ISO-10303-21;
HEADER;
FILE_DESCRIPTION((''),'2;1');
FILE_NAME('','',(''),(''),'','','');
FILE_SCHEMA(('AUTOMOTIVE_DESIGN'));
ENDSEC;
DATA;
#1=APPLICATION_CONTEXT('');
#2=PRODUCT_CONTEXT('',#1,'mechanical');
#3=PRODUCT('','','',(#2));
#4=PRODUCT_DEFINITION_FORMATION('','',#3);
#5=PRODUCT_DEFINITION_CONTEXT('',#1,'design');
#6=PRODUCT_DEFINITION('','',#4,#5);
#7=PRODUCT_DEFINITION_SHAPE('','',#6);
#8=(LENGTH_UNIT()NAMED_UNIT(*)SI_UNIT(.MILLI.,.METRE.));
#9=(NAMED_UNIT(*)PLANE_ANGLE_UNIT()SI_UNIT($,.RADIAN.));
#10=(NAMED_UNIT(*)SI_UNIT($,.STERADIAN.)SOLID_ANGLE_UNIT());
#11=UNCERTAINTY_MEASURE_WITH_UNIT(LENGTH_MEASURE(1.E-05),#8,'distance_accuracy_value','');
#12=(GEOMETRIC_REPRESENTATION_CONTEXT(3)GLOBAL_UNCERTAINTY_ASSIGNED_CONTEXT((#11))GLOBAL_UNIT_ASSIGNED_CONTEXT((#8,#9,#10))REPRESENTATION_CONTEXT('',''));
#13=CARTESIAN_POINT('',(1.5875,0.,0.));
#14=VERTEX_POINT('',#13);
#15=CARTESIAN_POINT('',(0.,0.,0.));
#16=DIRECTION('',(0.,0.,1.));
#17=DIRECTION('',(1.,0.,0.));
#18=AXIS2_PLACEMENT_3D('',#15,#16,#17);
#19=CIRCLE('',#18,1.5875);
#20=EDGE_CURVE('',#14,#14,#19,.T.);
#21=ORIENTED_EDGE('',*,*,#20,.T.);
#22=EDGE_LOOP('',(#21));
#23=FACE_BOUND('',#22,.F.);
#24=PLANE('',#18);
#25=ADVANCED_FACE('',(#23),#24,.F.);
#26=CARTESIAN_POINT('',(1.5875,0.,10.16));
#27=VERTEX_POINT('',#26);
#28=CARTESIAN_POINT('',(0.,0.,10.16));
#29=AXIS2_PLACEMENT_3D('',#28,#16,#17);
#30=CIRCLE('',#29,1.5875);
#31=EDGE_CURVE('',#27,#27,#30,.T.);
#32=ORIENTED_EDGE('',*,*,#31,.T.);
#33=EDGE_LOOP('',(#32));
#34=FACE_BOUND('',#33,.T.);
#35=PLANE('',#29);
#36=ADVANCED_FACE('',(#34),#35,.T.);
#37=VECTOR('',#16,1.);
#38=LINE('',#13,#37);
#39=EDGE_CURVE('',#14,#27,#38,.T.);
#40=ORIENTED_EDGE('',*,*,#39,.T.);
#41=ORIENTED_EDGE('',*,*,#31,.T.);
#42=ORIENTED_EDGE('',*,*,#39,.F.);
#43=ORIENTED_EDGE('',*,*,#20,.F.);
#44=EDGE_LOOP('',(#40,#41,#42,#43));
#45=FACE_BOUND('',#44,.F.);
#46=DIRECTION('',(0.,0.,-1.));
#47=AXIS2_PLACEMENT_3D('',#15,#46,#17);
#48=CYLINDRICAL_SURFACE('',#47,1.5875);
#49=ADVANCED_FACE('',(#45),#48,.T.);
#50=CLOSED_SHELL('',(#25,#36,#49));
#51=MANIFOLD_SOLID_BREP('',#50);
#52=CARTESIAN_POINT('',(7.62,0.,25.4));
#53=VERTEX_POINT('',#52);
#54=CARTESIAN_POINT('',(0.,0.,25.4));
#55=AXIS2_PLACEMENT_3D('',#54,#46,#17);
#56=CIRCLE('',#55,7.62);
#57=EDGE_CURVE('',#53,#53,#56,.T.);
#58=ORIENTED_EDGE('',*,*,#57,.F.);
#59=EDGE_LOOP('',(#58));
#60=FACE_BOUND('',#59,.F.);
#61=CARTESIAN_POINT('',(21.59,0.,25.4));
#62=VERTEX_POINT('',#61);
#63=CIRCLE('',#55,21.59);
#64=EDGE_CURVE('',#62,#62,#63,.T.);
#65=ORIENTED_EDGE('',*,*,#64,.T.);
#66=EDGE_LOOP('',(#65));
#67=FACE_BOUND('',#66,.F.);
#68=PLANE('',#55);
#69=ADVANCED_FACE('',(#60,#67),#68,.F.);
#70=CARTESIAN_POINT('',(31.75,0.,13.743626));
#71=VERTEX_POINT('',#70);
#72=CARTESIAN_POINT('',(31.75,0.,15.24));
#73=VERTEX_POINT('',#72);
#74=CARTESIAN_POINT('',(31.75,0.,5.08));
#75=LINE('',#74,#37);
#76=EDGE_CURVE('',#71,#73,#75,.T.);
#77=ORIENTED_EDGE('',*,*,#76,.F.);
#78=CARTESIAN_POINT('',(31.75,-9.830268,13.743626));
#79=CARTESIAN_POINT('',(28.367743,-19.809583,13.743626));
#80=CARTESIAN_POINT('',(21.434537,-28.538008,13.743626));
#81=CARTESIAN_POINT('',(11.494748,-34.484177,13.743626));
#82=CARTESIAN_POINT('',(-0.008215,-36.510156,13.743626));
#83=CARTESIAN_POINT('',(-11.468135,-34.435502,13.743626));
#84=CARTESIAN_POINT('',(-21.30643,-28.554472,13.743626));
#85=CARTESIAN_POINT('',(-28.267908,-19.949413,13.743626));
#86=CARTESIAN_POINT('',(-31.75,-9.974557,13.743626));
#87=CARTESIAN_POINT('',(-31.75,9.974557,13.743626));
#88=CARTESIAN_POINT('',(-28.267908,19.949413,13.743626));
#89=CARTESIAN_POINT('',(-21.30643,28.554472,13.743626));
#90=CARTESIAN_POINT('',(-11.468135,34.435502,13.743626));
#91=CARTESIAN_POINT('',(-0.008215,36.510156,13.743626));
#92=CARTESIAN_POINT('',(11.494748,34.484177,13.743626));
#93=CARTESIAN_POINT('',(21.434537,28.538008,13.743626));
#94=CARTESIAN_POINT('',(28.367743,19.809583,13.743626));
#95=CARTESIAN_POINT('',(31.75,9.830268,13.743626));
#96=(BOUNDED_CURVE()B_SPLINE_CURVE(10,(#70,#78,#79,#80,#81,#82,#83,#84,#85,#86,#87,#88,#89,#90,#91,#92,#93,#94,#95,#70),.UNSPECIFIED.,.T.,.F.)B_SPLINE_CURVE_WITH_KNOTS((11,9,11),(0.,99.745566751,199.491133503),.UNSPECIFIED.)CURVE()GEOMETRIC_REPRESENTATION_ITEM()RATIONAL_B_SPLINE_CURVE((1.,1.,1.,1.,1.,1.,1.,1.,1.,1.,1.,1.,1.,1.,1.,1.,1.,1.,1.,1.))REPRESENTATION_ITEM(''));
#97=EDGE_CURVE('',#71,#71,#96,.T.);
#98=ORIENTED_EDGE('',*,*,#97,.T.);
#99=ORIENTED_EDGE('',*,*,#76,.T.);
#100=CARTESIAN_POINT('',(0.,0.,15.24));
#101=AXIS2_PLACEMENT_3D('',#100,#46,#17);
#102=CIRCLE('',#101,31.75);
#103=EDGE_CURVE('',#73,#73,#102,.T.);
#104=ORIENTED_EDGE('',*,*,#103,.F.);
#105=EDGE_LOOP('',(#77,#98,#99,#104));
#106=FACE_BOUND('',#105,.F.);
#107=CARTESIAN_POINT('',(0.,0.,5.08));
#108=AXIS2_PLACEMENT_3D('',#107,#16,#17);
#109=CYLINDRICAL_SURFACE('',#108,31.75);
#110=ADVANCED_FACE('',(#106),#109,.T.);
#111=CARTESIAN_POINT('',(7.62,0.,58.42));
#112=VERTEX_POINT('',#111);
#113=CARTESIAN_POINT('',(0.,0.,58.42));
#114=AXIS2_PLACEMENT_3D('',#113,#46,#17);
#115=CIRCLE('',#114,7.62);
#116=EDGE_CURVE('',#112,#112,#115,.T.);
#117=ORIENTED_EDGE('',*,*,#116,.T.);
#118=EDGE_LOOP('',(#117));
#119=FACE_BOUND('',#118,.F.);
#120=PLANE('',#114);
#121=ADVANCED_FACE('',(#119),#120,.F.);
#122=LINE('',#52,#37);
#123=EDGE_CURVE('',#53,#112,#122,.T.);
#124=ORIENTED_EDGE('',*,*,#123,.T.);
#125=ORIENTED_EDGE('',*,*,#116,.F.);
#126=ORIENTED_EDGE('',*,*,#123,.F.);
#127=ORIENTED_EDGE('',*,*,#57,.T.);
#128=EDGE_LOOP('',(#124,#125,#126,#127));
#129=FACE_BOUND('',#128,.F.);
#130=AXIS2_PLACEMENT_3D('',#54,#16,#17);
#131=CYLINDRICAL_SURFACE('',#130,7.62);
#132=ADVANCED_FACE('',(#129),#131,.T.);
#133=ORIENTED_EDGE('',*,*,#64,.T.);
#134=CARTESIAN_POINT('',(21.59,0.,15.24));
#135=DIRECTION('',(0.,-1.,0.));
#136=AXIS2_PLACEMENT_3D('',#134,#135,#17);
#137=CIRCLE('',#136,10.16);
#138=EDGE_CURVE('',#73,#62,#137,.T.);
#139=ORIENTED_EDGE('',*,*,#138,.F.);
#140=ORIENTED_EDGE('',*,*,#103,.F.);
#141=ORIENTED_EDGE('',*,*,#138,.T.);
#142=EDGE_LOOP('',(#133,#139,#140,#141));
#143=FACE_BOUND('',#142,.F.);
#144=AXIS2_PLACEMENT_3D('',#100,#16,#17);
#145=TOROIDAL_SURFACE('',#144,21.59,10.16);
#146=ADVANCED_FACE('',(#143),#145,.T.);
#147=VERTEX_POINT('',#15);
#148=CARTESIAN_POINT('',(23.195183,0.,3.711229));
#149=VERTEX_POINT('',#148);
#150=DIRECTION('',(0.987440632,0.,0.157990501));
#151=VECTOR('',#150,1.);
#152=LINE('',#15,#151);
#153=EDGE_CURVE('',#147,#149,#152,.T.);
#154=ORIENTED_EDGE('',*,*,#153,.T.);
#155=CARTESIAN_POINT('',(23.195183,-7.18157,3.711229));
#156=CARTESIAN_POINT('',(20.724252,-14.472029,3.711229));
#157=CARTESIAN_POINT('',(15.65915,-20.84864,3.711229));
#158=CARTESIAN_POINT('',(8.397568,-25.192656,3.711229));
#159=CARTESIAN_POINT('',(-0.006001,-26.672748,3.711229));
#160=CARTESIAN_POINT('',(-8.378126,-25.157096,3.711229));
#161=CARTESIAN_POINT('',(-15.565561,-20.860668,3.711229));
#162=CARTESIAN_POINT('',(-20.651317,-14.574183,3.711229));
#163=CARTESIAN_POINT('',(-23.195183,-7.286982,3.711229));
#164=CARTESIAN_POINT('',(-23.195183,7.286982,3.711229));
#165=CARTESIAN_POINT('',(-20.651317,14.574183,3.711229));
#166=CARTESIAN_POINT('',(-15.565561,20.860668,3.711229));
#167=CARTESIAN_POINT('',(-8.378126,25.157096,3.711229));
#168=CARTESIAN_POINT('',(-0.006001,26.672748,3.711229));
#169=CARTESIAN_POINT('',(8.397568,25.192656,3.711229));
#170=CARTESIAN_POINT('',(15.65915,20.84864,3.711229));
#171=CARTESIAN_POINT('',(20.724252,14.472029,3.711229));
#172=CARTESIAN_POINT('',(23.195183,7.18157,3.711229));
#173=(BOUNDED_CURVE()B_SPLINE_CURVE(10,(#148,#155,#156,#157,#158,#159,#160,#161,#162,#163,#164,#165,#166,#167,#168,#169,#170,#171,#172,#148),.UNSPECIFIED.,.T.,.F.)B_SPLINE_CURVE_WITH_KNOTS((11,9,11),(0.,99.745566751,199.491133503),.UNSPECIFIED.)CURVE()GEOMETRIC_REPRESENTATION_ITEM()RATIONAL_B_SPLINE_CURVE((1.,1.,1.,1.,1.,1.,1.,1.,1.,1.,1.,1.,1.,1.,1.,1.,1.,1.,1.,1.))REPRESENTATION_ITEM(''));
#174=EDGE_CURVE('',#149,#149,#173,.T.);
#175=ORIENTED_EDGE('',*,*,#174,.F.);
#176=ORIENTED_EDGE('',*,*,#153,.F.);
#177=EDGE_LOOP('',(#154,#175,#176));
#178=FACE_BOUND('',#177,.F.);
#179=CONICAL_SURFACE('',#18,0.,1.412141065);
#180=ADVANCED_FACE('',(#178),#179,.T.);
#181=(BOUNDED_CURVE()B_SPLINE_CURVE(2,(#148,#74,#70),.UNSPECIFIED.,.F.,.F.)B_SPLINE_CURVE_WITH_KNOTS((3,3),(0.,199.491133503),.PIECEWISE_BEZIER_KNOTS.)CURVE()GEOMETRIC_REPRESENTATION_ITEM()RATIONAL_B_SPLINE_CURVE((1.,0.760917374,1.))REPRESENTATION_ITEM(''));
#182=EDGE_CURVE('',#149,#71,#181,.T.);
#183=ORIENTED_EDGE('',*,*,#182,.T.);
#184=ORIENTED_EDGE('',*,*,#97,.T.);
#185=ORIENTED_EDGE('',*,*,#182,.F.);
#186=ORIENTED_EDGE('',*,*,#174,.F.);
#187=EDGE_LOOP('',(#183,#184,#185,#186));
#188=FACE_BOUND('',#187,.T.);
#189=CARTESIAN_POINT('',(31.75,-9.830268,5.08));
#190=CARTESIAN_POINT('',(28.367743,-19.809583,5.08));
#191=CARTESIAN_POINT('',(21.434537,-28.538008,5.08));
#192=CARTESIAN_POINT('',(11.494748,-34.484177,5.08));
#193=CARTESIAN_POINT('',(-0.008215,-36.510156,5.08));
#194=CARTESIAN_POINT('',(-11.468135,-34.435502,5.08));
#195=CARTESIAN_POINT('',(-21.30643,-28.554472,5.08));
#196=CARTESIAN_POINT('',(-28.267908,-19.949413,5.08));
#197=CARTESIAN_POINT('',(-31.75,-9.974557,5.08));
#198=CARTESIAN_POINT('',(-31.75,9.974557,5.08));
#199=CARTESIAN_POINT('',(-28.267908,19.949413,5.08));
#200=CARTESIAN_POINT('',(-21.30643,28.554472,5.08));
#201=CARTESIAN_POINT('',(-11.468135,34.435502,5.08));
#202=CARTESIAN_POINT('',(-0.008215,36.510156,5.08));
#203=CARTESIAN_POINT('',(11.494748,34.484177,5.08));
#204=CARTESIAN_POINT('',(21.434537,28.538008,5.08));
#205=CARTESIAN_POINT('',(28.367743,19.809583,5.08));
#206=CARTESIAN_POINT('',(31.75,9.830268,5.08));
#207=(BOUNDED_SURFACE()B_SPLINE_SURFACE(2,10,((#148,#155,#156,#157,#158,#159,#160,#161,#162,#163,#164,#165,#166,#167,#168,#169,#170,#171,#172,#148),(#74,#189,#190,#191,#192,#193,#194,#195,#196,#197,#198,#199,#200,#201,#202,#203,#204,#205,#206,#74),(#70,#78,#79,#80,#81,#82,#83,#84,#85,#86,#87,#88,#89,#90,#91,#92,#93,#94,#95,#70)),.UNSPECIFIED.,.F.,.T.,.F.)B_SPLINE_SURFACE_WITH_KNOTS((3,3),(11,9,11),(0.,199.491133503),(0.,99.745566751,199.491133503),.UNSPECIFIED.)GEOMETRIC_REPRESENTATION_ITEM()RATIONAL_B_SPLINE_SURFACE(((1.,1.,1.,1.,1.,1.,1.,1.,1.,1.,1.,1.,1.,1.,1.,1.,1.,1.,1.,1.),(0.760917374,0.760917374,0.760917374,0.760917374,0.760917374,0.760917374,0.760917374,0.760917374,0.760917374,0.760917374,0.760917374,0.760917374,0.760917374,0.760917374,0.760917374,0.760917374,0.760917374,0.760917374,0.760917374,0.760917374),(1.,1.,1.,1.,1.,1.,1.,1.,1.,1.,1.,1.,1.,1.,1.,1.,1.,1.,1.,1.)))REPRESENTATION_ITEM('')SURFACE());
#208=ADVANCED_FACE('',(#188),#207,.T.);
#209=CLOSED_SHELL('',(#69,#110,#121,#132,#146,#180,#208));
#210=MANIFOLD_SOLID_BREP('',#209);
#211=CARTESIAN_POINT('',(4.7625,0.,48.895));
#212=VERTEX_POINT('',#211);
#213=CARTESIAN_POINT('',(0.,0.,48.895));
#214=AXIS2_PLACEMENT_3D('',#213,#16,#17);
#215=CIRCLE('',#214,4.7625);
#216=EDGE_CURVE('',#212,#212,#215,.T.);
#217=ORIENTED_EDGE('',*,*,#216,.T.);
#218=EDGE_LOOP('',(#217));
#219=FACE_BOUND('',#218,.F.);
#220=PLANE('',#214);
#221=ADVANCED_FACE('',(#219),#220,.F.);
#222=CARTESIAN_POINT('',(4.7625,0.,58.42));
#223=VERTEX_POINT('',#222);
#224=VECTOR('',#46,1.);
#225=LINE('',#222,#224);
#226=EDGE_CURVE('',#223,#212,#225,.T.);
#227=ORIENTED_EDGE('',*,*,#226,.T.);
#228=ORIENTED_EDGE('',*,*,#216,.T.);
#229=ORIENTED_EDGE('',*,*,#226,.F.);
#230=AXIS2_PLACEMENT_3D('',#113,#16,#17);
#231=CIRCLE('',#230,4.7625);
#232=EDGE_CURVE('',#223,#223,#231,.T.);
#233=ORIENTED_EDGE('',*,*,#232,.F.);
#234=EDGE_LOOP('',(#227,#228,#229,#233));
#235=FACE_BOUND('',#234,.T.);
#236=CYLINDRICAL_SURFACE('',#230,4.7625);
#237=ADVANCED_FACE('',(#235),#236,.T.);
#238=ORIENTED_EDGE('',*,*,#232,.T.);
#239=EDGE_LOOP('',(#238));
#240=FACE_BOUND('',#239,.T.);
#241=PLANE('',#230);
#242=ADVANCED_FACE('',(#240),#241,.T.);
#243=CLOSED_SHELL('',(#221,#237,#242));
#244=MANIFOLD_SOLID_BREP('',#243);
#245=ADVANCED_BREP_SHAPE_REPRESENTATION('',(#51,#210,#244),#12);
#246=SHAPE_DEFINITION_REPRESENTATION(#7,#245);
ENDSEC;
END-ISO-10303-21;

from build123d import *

# Parameters (mm, degrees)
F2_R     = 10.16
F3_R     = 1.5875
F4_DEPTH = 10.16
F5_R     = 4.7625
F6_DEPTH = 9.525


with BuildPart() as f1:
    # F0 (on Front) → F1 (revolve)
    with BuildSketch(Plane.XZ):
        Polygon((0, 58.42), (0, 0), (31.75, 5.08), (31.75, 25.4), (7.62, 25.4), (7.62, 58.42), align=None)
    revolve(axis=Axis((0, 0, 29.21), (0, 0, -1)))

    # F2
    f2_edges = [f1.edges().sort_by_distance(p)[0] for p in [
        (-31.75, 0, 5.08),
        (-31.75, 0, 25.4),
        (31.75, 0, 15.24),
    ]]
    fillet(f2_edges, radius=F2_R)


with BuildPart() as f4:
    # F3 (on Top) → F4 (new body)
    with BuildSketch(Plane.XY):
        Circle(F3_R)
    extrude(amount=F4_DEPTH)


with BuildPart() as f6:
    # F5 (on face) → F6 (new body)
    with BuildSketch(Plane.XY.offset(58.42)):
        Circle(F5_R)
    extrude(amount=-F6_DEPTH)


solid = Compound([f1.part, f4.part, f6.part])
